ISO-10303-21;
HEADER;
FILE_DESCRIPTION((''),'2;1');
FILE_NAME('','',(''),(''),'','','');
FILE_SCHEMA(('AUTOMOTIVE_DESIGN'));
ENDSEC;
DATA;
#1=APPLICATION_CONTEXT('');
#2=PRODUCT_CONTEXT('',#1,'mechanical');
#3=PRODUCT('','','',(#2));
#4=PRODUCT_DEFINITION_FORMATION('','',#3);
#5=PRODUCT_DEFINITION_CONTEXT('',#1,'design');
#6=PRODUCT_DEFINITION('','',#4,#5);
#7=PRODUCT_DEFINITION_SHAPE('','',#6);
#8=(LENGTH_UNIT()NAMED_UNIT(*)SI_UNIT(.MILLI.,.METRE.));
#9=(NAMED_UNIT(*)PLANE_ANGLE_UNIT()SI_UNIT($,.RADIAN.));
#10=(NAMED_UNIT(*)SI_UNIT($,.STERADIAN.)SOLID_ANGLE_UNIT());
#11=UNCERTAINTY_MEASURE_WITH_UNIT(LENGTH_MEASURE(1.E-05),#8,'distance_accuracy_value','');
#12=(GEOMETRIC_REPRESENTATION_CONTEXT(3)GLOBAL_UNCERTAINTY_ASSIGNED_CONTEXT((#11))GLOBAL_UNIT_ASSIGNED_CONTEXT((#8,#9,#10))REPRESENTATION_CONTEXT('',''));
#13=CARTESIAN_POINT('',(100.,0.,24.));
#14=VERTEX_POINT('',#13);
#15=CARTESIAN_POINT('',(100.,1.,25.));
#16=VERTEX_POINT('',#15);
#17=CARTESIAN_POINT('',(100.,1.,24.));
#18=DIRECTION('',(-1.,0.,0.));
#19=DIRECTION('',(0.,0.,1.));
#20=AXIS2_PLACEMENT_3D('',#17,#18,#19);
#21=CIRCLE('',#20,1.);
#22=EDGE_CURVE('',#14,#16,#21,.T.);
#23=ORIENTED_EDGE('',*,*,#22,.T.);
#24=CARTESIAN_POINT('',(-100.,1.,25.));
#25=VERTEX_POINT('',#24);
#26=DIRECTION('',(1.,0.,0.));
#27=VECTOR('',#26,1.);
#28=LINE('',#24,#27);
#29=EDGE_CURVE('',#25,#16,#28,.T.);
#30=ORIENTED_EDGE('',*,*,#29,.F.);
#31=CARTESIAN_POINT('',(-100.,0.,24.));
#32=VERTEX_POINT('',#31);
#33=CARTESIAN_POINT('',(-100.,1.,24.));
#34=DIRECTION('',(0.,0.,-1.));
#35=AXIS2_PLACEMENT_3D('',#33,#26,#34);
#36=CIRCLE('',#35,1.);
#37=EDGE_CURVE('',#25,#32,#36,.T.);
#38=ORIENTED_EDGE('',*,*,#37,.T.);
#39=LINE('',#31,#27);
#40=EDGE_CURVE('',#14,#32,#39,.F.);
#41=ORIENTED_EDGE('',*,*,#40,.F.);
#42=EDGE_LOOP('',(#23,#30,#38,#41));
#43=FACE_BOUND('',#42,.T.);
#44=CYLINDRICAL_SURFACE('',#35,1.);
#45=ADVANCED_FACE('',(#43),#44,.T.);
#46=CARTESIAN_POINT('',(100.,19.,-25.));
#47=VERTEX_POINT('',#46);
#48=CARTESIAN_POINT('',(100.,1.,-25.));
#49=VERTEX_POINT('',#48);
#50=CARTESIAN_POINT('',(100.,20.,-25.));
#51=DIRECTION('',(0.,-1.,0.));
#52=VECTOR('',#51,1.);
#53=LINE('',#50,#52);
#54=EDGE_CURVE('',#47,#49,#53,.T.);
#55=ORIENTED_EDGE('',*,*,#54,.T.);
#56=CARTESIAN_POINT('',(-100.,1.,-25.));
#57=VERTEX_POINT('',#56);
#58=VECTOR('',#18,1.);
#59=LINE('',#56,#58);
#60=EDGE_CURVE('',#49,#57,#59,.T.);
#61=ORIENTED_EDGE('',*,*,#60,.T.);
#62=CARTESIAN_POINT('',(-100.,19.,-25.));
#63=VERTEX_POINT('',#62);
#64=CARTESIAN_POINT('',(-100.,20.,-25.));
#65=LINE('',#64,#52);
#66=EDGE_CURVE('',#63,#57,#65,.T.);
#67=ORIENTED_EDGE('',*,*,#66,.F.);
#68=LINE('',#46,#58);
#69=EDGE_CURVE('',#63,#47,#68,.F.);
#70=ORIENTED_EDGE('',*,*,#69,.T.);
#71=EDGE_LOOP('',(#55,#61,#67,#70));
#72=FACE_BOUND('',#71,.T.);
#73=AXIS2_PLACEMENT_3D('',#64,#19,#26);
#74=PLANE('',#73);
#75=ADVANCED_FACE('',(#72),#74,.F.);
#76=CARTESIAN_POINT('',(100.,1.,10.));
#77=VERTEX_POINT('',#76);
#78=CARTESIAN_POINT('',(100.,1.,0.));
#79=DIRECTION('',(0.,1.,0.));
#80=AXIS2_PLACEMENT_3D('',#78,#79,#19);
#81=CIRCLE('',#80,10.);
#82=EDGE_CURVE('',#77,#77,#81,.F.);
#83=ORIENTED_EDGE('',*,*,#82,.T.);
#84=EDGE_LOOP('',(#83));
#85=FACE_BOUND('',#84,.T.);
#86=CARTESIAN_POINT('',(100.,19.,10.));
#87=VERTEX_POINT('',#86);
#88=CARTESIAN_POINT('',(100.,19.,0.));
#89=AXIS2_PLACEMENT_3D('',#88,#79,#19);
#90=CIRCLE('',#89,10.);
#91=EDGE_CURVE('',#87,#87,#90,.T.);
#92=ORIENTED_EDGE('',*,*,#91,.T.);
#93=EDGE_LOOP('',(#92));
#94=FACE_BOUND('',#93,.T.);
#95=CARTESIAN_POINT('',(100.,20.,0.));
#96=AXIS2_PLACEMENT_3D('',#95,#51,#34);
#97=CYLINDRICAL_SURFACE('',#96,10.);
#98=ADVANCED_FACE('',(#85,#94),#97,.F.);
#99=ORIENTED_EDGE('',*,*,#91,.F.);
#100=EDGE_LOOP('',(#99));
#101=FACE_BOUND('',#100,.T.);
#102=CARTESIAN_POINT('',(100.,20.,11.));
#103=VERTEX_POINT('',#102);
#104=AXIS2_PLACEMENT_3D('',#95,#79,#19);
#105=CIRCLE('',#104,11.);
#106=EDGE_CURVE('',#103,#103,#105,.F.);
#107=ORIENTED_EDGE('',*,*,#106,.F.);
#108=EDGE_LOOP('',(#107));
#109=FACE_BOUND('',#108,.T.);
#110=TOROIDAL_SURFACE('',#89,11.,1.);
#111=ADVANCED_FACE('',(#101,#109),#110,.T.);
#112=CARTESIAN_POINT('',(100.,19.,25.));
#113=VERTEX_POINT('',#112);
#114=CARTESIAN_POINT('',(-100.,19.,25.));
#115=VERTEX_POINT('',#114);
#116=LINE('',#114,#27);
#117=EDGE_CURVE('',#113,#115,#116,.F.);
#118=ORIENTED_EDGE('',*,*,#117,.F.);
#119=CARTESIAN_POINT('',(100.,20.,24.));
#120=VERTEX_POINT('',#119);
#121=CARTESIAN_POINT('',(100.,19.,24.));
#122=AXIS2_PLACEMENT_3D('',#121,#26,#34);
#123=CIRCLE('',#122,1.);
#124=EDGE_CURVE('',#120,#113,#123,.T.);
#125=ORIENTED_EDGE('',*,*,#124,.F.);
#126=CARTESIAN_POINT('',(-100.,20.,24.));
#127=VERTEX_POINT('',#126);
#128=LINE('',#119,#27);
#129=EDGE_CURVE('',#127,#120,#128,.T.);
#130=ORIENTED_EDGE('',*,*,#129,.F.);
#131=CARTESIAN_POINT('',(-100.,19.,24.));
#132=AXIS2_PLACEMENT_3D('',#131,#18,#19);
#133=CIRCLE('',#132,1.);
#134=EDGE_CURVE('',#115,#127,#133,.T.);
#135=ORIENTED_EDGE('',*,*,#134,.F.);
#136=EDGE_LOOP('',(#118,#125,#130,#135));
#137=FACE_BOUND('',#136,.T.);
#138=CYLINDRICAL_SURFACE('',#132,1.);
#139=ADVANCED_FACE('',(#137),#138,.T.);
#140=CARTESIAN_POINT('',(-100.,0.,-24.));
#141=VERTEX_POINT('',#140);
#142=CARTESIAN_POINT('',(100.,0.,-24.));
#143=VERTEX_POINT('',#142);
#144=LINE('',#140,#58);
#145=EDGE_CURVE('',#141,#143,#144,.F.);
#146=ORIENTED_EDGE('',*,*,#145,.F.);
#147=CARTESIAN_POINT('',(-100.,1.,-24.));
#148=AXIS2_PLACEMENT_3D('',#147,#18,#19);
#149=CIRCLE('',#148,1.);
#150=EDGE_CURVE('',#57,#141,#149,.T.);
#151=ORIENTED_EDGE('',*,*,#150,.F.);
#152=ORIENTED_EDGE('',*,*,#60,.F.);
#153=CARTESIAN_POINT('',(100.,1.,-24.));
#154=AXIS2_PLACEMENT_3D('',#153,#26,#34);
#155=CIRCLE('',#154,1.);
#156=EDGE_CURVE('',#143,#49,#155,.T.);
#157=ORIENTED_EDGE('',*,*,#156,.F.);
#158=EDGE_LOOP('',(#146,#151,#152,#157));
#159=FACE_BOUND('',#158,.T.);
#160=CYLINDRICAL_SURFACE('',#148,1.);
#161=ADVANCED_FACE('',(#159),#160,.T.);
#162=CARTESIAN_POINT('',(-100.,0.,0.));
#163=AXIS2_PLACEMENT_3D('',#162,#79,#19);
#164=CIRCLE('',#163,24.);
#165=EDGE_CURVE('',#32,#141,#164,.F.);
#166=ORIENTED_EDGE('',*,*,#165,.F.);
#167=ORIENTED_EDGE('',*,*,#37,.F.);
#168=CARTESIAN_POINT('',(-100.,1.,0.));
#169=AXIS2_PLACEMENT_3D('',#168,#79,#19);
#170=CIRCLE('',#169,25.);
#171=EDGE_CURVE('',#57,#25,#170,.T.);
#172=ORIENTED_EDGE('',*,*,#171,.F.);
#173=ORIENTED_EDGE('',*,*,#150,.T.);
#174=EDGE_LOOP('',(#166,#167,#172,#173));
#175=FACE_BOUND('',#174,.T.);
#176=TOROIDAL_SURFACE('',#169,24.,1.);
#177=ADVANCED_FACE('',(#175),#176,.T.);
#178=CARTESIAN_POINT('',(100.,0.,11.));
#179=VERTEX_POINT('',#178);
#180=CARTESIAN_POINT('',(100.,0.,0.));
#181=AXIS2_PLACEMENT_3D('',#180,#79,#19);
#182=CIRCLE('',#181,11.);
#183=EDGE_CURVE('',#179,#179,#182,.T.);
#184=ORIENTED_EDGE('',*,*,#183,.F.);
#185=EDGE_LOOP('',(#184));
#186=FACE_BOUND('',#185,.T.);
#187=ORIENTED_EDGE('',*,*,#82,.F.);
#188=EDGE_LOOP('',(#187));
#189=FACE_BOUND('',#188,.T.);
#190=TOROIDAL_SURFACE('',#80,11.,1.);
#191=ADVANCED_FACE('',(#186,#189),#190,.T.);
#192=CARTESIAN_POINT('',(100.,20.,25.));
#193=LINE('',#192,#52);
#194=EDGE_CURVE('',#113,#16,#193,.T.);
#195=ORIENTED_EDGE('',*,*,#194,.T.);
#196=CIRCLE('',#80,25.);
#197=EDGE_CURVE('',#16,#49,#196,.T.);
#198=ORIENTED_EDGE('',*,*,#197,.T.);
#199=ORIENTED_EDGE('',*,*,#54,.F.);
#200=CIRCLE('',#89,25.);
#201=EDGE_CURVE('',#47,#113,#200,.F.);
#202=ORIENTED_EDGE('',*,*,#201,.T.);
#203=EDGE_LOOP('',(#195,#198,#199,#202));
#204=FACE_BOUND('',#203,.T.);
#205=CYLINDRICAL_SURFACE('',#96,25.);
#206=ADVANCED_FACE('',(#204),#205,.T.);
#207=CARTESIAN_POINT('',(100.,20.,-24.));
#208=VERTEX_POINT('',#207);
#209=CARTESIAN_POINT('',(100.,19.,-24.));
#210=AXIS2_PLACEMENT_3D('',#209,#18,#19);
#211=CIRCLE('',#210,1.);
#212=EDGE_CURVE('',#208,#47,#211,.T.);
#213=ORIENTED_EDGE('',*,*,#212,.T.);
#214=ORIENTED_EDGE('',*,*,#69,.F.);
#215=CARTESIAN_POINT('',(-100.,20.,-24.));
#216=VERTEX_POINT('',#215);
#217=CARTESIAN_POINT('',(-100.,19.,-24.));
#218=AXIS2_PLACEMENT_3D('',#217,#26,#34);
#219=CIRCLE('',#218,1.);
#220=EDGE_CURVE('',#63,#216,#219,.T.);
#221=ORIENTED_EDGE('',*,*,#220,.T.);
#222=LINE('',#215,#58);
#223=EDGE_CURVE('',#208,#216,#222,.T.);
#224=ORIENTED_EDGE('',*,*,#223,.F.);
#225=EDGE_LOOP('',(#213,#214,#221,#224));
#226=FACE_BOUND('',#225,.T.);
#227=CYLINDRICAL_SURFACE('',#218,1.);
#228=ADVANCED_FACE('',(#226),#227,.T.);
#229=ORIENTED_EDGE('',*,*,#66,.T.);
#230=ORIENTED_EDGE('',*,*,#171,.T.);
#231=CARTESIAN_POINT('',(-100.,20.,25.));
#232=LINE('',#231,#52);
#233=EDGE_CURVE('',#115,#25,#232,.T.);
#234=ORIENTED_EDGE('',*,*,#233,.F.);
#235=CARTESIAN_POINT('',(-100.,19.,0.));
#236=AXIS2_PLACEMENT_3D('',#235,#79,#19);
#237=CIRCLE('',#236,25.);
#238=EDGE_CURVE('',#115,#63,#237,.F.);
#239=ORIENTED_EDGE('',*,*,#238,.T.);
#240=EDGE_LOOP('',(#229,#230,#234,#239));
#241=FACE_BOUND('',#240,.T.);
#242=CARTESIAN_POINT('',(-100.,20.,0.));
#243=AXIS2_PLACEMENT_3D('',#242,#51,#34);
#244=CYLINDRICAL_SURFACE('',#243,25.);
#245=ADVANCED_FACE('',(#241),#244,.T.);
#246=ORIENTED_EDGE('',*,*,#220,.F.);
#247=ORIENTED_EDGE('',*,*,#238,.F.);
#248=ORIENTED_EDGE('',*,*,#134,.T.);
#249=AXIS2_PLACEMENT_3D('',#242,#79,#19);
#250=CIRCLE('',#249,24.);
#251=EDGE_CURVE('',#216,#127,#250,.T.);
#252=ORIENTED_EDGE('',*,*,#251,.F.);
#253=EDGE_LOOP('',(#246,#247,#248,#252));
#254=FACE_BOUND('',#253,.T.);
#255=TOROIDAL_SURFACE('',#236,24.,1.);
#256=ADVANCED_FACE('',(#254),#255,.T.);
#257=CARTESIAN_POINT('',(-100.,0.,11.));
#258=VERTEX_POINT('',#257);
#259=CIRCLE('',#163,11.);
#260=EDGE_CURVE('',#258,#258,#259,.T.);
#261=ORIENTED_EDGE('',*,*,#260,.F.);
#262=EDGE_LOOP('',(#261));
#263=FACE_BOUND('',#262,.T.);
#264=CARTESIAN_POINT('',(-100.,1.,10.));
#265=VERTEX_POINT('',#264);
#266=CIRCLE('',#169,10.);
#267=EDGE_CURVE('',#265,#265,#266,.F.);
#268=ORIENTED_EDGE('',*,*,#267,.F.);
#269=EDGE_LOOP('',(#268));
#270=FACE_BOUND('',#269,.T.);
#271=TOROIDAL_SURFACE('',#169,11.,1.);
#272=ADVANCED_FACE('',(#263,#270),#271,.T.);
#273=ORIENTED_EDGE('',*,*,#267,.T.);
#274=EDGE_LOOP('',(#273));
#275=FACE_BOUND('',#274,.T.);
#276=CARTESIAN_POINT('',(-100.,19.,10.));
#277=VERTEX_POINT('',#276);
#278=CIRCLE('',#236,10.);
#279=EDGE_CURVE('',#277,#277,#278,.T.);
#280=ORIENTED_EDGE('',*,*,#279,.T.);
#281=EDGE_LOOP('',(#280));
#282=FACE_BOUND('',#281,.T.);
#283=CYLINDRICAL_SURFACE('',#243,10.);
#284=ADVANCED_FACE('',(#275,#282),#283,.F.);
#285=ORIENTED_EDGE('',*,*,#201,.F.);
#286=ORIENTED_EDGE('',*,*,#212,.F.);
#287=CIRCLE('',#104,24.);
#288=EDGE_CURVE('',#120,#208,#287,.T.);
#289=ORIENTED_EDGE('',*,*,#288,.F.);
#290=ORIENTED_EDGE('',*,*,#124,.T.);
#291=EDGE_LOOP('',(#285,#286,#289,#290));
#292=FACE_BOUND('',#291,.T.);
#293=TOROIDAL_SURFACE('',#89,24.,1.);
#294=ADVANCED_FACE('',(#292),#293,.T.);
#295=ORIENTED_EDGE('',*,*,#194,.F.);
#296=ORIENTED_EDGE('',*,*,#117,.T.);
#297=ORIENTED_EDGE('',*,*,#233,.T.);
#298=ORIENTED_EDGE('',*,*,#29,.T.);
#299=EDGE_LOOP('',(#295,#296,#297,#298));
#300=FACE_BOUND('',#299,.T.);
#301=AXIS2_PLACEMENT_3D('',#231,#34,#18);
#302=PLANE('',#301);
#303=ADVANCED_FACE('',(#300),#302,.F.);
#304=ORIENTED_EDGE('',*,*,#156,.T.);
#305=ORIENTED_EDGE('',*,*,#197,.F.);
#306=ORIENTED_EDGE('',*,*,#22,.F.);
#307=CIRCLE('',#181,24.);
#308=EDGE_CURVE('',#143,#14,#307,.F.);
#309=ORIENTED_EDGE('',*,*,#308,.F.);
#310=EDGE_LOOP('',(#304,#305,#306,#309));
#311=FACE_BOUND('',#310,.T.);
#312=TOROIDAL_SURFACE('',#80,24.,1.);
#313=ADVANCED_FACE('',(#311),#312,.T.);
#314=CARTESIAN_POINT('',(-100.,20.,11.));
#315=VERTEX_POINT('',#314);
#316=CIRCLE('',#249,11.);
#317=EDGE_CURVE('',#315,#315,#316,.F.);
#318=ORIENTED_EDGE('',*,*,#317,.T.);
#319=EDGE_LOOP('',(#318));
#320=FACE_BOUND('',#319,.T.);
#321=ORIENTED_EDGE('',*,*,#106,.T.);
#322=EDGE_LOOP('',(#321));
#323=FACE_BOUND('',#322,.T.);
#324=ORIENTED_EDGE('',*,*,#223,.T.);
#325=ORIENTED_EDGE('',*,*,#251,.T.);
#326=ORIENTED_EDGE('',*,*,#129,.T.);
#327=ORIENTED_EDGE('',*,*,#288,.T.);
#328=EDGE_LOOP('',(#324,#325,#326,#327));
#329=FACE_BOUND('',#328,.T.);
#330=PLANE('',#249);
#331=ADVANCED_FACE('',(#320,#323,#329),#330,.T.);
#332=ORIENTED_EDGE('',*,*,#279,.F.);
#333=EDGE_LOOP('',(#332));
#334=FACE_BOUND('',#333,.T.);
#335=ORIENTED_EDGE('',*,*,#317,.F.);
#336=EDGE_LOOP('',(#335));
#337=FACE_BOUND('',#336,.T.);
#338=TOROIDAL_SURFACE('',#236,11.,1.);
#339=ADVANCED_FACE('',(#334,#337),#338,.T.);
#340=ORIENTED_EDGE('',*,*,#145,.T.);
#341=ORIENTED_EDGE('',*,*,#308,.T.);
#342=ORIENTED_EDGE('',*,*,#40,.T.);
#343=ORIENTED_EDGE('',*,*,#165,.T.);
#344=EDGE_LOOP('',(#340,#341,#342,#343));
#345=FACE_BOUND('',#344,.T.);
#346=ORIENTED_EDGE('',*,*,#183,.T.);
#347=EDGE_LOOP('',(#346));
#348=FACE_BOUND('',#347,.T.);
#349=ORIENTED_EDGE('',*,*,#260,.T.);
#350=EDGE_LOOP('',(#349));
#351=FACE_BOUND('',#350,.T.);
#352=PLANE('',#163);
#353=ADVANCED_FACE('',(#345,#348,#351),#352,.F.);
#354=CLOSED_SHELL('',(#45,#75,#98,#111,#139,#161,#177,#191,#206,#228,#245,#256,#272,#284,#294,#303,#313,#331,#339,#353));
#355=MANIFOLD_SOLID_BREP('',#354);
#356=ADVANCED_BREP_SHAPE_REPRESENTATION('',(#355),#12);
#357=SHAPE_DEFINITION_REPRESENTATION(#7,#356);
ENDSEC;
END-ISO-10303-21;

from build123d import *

# Parameters (mm, degrees)
SKETCH1_R           = 10
BOSS_EXTRUDE1_DEPTH = 20
FILLET1_R           = 1


with BuildPart() as part:
    # Sketch1 → Boss-Extrude1 (new body)
    with BuildSketch(Plane(origin=(0, 0, 0), x_dir=(1, 0, 0), z_dir=(0, 1, 0))):
        with BuildLine():
            Line((-100, 25), (100, 25))
            ThreePointArc((100, 25), (125, 0), (100, -25))
            Line((100, -25), (-100, -25))
            ThreePointArc((-100, -25), (-125, 0), (-100, 25))
        make_face()
        with Locations((-100, 0)):
            Circle(SKETCH1_R, mode=Mode.SUBTRACT)
        with Locations((100, 0)):
            Circle(SKETCH1_R, mode=Mode.SUBTRACT)
    extrude(amount=BOSS_EXTRUDE1_DEPTH)

    # Fillet1
    fillet1_edges = [part.edges().sort_by_distance(p)[0] for p in [
        (-110, 0, 0),
        (-110, 20, 0),
        (125, 20, 0),
        (90, 0, 0),
        (90, 20, 0),
        (0, 20, -25),
        (-125, 20, 0),
        (0, 0, -25),
        (125, 0, 0),
        (0, 0, 25),
        (-125, 0, 0),
        (0, 20, 25),
    ]]
    fillet(fillet1_edges, radius=FILLET1_R)


solid = part.part
